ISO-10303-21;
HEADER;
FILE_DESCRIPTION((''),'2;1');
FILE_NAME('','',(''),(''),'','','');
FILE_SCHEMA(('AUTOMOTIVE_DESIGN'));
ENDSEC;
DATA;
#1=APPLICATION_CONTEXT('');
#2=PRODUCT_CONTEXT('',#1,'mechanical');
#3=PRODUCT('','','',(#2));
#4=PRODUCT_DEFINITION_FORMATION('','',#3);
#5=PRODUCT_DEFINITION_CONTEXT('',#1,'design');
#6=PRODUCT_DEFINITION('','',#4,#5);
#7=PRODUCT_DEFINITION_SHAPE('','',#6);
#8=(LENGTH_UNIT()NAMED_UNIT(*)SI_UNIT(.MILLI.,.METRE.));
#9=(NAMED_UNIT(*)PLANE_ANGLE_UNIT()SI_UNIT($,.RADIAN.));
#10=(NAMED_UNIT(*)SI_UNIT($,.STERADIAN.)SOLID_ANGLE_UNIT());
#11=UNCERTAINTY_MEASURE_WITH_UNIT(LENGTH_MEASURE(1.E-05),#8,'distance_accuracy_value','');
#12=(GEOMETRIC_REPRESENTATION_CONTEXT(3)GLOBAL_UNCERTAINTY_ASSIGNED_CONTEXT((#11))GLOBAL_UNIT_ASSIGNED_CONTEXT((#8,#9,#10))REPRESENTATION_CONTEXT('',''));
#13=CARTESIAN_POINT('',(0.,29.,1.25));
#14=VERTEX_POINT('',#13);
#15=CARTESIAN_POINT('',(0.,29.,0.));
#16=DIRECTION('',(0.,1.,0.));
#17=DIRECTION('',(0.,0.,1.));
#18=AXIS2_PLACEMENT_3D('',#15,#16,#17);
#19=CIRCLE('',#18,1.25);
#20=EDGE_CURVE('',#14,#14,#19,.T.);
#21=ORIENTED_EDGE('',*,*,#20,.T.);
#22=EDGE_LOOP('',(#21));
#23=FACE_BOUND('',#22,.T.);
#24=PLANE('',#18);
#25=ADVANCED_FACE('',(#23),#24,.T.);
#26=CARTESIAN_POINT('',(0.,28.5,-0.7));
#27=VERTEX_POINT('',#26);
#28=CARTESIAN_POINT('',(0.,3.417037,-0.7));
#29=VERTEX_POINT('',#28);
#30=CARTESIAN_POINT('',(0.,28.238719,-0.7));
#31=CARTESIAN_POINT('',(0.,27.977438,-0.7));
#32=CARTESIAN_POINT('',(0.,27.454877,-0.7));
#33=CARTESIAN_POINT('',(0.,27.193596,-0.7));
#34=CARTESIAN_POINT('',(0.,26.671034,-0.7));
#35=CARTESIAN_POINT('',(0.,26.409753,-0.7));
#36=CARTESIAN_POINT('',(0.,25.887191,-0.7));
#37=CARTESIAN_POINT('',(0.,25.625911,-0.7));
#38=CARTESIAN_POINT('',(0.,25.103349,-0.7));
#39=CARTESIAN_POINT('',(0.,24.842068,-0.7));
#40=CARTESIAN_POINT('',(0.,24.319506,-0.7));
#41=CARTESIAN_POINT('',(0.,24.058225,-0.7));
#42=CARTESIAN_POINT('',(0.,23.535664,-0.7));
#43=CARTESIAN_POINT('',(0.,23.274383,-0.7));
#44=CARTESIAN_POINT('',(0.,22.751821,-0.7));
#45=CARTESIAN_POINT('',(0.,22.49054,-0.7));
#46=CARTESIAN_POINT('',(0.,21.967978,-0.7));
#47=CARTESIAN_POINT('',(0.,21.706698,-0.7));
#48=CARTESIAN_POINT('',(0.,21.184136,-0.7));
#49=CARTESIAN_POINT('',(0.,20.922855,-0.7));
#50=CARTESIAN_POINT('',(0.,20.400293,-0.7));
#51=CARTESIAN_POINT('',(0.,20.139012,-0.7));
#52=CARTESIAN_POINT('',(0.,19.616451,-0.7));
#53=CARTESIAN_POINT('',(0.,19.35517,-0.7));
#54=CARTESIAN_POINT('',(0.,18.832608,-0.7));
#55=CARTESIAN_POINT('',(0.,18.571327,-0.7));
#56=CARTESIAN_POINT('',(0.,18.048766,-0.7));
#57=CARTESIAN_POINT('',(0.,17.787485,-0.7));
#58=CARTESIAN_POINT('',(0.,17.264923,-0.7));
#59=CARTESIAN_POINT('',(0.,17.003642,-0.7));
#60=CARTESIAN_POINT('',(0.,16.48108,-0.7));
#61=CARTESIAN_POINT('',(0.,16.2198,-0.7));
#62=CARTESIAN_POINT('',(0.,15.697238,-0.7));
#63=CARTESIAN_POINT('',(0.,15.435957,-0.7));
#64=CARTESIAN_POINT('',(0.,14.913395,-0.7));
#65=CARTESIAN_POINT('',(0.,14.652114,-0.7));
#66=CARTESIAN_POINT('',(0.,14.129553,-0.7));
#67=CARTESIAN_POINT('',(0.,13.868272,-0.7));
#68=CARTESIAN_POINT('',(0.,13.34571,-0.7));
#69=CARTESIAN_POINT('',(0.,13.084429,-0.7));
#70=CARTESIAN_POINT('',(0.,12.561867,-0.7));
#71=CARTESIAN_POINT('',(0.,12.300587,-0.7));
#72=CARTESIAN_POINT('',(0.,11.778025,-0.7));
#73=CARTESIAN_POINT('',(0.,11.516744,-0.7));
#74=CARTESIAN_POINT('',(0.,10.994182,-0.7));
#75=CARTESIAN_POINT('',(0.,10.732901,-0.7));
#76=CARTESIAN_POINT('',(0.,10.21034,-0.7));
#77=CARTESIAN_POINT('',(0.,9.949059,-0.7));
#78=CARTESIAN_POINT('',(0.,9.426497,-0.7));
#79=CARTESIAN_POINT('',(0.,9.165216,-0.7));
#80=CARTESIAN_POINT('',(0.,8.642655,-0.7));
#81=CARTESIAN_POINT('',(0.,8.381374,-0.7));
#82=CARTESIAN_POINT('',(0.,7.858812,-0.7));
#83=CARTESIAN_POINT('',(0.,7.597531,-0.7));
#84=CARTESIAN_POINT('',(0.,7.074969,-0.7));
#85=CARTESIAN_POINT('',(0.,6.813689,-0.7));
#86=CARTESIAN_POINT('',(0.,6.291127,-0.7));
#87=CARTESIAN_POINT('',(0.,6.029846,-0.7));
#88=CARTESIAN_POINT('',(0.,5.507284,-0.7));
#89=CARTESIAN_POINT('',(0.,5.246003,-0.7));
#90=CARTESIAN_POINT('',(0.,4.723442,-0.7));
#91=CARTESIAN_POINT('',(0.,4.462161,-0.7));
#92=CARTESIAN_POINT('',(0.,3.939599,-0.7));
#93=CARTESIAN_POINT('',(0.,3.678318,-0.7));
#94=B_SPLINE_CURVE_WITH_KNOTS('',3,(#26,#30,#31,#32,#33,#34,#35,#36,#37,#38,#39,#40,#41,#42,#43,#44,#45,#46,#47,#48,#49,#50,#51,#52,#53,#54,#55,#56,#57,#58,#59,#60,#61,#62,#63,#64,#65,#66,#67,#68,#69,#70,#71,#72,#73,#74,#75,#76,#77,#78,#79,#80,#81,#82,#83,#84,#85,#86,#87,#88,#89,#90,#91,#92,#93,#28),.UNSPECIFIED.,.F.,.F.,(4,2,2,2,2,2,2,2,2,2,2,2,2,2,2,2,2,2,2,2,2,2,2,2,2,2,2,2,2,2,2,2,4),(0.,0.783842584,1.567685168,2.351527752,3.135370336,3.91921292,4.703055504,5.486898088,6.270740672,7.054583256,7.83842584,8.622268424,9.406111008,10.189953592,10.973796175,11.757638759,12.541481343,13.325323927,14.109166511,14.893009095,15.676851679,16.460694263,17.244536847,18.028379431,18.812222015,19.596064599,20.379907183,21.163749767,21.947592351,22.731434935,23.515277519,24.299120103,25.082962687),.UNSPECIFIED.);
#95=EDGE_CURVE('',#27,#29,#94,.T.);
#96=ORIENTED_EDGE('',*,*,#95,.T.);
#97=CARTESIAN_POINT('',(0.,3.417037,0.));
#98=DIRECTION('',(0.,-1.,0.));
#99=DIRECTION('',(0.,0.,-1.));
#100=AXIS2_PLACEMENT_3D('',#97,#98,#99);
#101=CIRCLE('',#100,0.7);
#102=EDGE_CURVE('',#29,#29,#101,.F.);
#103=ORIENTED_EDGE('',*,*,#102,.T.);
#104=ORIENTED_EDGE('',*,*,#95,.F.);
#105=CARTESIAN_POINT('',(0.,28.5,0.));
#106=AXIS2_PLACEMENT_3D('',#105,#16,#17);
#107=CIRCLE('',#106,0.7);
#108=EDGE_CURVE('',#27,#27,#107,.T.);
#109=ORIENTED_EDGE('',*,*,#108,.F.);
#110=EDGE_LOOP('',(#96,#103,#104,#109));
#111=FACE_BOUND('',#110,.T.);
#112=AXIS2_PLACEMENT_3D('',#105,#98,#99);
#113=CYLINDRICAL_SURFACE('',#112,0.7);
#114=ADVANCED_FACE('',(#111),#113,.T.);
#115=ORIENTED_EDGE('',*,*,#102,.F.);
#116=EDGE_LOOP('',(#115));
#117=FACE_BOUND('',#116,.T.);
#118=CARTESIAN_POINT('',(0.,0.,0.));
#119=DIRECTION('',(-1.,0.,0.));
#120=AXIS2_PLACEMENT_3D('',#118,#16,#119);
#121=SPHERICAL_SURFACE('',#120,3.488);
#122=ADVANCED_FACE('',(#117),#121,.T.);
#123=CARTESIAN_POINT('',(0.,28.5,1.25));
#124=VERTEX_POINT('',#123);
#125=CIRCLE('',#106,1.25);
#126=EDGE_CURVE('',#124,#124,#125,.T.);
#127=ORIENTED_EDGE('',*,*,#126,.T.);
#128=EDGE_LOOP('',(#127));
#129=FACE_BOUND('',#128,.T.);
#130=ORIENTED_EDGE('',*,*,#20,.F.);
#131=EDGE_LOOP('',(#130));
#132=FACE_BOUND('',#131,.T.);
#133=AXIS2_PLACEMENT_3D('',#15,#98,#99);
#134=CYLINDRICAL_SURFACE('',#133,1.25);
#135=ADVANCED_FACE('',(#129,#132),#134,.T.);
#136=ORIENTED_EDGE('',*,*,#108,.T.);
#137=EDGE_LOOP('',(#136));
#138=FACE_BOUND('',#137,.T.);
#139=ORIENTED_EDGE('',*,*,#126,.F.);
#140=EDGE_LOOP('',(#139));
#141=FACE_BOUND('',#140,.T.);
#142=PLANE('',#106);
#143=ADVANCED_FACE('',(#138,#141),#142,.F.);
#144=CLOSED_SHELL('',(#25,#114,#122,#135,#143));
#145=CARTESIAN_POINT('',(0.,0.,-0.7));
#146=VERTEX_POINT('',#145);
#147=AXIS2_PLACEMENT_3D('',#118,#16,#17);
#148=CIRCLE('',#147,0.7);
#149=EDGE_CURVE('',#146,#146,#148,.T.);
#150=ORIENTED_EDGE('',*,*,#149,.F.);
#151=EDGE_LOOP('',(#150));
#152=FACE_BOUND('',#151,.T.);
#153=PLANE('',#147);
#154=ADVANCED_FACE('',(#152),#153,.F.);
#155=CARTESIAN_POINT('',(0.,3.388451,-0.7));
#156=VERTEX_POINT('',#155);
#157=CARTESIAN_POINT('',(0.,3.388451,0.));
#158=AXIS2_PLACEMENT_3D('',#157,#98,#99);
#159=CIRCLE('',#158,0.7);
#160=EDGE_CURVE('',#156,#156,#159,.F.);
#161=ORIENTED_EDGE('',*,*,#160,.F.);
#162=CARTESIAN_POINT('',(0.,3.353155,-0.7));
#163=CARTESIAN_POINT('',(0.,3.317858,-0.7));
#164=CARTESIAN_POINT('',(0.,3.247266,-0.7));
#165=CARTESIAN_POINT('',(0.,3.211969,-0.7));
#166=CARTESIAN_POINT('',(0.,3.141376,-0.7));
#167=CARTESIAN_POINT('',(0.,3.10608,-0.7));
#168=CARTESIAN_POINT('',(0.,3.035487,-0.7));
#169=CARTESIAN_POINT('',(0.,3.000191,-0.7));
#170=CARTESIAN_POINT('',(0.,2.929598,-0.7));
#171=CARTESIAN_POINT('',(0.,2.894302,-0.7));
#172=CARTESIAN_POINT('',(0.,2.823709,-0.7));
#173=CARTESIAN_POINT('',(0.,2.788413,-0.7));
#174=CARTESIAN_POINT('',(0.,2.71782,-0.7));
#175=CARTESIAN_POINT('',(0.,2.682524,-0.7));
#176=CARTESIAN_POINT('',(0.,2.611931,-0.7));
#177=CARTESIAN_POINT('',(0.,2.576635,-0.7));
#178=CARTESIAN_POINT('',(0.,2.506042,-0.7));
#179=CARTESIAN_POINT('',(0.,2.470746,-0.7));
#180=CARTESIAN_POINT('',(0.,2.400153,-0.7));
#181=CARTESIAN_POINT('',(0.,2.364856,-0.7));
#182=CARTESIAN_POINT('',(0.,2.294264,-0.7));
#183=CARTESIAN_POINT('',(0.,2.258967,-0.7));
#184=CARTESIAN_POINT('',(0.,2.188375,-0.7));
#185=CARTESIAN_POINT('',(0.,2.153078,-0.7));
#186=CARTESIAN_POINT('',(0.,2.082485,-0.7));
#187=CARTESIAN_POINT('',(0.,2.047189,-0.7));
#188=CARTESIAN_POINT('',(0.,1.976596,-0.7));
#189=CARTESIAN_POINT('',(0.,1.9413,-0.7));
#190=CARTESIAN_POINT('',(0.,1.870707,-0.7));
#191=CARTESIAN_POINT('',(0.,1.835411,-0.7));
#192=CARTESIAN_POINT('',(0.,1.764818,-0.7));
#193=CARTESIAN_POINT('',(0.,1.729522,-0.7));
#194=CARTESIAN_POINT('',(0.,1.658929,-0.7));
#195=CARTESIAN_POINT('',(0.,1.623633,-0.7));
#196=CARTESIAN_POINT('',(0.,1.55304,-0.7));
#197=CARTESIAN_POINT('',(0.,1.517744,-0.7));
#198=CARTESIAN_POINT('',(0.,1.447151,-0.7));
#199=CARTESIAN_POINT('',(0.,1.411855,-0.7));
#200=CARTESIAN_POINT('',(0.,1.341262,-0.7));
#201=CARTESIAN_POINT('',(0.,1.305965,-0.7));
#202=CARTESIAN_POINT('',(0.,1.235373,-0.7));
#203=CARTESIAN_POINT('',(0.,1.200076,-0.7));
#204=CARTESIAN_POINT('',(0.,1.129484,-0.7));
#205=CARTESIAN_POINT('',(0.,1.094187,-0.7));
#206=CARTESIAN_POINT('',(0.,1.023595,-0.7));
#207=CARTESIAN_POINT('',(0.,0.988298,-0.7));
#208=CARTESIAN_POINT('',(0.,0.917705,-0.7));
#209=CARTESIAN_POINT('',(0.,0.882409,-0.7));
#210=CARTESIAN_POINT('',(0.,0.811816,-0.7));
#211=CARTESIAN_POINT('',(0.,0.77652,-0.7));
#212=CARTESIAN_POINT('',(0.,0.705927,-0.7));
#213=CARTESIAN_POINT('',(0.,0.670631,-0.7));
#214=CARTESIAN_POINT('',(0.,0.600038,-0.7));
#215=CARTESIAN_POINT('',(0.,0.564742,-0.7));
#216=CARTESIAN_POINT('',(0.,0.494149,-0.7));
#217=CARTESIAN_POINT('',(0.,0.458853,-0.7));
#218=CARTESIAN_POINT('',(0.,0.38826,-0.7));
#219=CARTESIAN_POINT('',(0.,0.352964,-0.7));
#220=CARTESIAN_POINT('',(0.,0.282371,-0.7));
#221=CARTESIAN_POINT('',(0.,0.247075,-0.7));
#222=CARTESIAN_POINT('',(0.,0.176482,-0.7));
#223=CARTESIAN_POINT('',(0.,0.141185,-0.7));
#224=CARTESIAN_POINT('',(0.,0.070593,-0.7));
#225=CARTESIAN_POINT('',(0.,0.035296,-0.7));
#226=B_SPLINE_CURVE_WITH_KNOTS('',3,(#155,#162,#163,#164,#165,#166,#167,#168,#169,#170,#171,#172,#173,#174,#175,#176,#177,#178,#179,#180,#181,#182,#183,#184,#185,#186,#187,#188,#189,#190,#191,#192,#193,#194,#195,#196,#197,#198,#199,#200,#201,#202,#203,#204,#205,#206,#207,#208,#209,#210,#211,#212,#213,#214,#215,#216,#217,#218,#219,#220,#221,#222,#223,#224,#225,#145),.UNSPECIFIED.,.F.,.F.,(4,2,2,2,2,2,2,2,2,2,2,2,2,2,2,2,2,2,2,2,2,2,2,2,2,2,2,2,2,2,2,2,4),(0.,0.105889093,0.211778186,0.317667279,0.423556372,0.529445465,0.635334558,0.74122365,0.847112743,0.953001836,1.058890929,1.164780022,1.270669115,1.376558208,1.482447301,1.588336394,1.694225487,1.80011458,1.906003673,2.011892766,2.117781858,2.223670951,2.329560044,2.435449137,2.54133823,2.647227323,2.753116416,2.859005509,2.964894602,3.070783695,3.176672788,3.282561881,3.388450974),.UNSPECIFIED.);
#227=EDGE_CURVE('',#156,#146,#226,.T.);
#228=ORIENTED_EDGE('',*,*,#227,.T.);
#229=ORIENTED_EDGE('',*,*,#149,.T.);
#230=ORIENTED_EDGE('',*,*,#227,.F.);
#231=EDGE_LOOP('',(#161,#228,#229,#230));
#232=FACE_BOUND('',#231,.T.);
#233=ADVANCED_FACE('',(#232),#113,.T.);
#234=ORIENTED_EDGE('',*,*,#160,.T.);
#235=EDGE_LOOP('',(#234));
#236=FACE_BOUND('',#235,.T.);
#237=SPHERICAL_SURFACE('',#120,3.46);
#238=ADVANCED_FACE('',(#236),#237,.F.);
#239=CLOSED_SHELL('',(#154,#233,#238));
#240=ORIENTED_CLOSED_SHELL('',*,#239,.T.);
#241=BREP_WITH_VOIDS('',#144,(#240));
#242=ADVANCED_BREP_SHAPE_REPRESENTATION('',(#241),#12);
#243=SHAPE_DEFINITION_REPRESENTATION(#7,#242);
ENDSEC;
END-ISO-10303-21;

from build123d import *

# Parameters (mm, degrees)
SKETCH3_R           = 0.7
BOSS_EXTRUDE1_DEPTH = 28.5
SKETCH4_R           = 1.25
BOSS_EXTRUDE3_DEPTH = 0.5


with BuildPart() as part:
    # Sketch1 → Revolve-Thin1 (revolve)
    with BuildSketch(Plane.XY):
        with BuildLine():
            ThreePointArc((0, -3.46), (3.46, 0), (0, 3.46))
            Line((0, 3.46), (0, 3.488))
            ThreePointArc((0, 3.488), (3.488, 0), (0, -3.488))
            Line((0, -3.488), (0, -3.46))
        make_face()
    revolve(axis=Axis((0, 3.46, 0), (0, -1, 0)))

    # Sketch3 → Boss-Extrude1 (add)
    with BuildSketch(Plane(origin=(0, 0, 0), x_dir=(1, 0, 0), z_dir=(0, 1, 0))):
        with Locations(Location((0, 0, 0), (0, 0, 90))):
            Circle(SKETCH3_R)
    extrude(amount=BOSS_EXTRUDE1_DEPTH)

    # Sketch4 → Boss-Extrude3 (add)
    with BuildSketch(Plane(origin=(0, 28.5, 0), x_dir=(1, 0, 0), z_dir=(0, 1, 0))):
        with Locations(Location((0, 0, 0), (0, 0, 270))):
            Circle(SKETCH4_R)
    extrude(amount=BOSS_EXTRUDE3_DEPTH)


solid = part.part
